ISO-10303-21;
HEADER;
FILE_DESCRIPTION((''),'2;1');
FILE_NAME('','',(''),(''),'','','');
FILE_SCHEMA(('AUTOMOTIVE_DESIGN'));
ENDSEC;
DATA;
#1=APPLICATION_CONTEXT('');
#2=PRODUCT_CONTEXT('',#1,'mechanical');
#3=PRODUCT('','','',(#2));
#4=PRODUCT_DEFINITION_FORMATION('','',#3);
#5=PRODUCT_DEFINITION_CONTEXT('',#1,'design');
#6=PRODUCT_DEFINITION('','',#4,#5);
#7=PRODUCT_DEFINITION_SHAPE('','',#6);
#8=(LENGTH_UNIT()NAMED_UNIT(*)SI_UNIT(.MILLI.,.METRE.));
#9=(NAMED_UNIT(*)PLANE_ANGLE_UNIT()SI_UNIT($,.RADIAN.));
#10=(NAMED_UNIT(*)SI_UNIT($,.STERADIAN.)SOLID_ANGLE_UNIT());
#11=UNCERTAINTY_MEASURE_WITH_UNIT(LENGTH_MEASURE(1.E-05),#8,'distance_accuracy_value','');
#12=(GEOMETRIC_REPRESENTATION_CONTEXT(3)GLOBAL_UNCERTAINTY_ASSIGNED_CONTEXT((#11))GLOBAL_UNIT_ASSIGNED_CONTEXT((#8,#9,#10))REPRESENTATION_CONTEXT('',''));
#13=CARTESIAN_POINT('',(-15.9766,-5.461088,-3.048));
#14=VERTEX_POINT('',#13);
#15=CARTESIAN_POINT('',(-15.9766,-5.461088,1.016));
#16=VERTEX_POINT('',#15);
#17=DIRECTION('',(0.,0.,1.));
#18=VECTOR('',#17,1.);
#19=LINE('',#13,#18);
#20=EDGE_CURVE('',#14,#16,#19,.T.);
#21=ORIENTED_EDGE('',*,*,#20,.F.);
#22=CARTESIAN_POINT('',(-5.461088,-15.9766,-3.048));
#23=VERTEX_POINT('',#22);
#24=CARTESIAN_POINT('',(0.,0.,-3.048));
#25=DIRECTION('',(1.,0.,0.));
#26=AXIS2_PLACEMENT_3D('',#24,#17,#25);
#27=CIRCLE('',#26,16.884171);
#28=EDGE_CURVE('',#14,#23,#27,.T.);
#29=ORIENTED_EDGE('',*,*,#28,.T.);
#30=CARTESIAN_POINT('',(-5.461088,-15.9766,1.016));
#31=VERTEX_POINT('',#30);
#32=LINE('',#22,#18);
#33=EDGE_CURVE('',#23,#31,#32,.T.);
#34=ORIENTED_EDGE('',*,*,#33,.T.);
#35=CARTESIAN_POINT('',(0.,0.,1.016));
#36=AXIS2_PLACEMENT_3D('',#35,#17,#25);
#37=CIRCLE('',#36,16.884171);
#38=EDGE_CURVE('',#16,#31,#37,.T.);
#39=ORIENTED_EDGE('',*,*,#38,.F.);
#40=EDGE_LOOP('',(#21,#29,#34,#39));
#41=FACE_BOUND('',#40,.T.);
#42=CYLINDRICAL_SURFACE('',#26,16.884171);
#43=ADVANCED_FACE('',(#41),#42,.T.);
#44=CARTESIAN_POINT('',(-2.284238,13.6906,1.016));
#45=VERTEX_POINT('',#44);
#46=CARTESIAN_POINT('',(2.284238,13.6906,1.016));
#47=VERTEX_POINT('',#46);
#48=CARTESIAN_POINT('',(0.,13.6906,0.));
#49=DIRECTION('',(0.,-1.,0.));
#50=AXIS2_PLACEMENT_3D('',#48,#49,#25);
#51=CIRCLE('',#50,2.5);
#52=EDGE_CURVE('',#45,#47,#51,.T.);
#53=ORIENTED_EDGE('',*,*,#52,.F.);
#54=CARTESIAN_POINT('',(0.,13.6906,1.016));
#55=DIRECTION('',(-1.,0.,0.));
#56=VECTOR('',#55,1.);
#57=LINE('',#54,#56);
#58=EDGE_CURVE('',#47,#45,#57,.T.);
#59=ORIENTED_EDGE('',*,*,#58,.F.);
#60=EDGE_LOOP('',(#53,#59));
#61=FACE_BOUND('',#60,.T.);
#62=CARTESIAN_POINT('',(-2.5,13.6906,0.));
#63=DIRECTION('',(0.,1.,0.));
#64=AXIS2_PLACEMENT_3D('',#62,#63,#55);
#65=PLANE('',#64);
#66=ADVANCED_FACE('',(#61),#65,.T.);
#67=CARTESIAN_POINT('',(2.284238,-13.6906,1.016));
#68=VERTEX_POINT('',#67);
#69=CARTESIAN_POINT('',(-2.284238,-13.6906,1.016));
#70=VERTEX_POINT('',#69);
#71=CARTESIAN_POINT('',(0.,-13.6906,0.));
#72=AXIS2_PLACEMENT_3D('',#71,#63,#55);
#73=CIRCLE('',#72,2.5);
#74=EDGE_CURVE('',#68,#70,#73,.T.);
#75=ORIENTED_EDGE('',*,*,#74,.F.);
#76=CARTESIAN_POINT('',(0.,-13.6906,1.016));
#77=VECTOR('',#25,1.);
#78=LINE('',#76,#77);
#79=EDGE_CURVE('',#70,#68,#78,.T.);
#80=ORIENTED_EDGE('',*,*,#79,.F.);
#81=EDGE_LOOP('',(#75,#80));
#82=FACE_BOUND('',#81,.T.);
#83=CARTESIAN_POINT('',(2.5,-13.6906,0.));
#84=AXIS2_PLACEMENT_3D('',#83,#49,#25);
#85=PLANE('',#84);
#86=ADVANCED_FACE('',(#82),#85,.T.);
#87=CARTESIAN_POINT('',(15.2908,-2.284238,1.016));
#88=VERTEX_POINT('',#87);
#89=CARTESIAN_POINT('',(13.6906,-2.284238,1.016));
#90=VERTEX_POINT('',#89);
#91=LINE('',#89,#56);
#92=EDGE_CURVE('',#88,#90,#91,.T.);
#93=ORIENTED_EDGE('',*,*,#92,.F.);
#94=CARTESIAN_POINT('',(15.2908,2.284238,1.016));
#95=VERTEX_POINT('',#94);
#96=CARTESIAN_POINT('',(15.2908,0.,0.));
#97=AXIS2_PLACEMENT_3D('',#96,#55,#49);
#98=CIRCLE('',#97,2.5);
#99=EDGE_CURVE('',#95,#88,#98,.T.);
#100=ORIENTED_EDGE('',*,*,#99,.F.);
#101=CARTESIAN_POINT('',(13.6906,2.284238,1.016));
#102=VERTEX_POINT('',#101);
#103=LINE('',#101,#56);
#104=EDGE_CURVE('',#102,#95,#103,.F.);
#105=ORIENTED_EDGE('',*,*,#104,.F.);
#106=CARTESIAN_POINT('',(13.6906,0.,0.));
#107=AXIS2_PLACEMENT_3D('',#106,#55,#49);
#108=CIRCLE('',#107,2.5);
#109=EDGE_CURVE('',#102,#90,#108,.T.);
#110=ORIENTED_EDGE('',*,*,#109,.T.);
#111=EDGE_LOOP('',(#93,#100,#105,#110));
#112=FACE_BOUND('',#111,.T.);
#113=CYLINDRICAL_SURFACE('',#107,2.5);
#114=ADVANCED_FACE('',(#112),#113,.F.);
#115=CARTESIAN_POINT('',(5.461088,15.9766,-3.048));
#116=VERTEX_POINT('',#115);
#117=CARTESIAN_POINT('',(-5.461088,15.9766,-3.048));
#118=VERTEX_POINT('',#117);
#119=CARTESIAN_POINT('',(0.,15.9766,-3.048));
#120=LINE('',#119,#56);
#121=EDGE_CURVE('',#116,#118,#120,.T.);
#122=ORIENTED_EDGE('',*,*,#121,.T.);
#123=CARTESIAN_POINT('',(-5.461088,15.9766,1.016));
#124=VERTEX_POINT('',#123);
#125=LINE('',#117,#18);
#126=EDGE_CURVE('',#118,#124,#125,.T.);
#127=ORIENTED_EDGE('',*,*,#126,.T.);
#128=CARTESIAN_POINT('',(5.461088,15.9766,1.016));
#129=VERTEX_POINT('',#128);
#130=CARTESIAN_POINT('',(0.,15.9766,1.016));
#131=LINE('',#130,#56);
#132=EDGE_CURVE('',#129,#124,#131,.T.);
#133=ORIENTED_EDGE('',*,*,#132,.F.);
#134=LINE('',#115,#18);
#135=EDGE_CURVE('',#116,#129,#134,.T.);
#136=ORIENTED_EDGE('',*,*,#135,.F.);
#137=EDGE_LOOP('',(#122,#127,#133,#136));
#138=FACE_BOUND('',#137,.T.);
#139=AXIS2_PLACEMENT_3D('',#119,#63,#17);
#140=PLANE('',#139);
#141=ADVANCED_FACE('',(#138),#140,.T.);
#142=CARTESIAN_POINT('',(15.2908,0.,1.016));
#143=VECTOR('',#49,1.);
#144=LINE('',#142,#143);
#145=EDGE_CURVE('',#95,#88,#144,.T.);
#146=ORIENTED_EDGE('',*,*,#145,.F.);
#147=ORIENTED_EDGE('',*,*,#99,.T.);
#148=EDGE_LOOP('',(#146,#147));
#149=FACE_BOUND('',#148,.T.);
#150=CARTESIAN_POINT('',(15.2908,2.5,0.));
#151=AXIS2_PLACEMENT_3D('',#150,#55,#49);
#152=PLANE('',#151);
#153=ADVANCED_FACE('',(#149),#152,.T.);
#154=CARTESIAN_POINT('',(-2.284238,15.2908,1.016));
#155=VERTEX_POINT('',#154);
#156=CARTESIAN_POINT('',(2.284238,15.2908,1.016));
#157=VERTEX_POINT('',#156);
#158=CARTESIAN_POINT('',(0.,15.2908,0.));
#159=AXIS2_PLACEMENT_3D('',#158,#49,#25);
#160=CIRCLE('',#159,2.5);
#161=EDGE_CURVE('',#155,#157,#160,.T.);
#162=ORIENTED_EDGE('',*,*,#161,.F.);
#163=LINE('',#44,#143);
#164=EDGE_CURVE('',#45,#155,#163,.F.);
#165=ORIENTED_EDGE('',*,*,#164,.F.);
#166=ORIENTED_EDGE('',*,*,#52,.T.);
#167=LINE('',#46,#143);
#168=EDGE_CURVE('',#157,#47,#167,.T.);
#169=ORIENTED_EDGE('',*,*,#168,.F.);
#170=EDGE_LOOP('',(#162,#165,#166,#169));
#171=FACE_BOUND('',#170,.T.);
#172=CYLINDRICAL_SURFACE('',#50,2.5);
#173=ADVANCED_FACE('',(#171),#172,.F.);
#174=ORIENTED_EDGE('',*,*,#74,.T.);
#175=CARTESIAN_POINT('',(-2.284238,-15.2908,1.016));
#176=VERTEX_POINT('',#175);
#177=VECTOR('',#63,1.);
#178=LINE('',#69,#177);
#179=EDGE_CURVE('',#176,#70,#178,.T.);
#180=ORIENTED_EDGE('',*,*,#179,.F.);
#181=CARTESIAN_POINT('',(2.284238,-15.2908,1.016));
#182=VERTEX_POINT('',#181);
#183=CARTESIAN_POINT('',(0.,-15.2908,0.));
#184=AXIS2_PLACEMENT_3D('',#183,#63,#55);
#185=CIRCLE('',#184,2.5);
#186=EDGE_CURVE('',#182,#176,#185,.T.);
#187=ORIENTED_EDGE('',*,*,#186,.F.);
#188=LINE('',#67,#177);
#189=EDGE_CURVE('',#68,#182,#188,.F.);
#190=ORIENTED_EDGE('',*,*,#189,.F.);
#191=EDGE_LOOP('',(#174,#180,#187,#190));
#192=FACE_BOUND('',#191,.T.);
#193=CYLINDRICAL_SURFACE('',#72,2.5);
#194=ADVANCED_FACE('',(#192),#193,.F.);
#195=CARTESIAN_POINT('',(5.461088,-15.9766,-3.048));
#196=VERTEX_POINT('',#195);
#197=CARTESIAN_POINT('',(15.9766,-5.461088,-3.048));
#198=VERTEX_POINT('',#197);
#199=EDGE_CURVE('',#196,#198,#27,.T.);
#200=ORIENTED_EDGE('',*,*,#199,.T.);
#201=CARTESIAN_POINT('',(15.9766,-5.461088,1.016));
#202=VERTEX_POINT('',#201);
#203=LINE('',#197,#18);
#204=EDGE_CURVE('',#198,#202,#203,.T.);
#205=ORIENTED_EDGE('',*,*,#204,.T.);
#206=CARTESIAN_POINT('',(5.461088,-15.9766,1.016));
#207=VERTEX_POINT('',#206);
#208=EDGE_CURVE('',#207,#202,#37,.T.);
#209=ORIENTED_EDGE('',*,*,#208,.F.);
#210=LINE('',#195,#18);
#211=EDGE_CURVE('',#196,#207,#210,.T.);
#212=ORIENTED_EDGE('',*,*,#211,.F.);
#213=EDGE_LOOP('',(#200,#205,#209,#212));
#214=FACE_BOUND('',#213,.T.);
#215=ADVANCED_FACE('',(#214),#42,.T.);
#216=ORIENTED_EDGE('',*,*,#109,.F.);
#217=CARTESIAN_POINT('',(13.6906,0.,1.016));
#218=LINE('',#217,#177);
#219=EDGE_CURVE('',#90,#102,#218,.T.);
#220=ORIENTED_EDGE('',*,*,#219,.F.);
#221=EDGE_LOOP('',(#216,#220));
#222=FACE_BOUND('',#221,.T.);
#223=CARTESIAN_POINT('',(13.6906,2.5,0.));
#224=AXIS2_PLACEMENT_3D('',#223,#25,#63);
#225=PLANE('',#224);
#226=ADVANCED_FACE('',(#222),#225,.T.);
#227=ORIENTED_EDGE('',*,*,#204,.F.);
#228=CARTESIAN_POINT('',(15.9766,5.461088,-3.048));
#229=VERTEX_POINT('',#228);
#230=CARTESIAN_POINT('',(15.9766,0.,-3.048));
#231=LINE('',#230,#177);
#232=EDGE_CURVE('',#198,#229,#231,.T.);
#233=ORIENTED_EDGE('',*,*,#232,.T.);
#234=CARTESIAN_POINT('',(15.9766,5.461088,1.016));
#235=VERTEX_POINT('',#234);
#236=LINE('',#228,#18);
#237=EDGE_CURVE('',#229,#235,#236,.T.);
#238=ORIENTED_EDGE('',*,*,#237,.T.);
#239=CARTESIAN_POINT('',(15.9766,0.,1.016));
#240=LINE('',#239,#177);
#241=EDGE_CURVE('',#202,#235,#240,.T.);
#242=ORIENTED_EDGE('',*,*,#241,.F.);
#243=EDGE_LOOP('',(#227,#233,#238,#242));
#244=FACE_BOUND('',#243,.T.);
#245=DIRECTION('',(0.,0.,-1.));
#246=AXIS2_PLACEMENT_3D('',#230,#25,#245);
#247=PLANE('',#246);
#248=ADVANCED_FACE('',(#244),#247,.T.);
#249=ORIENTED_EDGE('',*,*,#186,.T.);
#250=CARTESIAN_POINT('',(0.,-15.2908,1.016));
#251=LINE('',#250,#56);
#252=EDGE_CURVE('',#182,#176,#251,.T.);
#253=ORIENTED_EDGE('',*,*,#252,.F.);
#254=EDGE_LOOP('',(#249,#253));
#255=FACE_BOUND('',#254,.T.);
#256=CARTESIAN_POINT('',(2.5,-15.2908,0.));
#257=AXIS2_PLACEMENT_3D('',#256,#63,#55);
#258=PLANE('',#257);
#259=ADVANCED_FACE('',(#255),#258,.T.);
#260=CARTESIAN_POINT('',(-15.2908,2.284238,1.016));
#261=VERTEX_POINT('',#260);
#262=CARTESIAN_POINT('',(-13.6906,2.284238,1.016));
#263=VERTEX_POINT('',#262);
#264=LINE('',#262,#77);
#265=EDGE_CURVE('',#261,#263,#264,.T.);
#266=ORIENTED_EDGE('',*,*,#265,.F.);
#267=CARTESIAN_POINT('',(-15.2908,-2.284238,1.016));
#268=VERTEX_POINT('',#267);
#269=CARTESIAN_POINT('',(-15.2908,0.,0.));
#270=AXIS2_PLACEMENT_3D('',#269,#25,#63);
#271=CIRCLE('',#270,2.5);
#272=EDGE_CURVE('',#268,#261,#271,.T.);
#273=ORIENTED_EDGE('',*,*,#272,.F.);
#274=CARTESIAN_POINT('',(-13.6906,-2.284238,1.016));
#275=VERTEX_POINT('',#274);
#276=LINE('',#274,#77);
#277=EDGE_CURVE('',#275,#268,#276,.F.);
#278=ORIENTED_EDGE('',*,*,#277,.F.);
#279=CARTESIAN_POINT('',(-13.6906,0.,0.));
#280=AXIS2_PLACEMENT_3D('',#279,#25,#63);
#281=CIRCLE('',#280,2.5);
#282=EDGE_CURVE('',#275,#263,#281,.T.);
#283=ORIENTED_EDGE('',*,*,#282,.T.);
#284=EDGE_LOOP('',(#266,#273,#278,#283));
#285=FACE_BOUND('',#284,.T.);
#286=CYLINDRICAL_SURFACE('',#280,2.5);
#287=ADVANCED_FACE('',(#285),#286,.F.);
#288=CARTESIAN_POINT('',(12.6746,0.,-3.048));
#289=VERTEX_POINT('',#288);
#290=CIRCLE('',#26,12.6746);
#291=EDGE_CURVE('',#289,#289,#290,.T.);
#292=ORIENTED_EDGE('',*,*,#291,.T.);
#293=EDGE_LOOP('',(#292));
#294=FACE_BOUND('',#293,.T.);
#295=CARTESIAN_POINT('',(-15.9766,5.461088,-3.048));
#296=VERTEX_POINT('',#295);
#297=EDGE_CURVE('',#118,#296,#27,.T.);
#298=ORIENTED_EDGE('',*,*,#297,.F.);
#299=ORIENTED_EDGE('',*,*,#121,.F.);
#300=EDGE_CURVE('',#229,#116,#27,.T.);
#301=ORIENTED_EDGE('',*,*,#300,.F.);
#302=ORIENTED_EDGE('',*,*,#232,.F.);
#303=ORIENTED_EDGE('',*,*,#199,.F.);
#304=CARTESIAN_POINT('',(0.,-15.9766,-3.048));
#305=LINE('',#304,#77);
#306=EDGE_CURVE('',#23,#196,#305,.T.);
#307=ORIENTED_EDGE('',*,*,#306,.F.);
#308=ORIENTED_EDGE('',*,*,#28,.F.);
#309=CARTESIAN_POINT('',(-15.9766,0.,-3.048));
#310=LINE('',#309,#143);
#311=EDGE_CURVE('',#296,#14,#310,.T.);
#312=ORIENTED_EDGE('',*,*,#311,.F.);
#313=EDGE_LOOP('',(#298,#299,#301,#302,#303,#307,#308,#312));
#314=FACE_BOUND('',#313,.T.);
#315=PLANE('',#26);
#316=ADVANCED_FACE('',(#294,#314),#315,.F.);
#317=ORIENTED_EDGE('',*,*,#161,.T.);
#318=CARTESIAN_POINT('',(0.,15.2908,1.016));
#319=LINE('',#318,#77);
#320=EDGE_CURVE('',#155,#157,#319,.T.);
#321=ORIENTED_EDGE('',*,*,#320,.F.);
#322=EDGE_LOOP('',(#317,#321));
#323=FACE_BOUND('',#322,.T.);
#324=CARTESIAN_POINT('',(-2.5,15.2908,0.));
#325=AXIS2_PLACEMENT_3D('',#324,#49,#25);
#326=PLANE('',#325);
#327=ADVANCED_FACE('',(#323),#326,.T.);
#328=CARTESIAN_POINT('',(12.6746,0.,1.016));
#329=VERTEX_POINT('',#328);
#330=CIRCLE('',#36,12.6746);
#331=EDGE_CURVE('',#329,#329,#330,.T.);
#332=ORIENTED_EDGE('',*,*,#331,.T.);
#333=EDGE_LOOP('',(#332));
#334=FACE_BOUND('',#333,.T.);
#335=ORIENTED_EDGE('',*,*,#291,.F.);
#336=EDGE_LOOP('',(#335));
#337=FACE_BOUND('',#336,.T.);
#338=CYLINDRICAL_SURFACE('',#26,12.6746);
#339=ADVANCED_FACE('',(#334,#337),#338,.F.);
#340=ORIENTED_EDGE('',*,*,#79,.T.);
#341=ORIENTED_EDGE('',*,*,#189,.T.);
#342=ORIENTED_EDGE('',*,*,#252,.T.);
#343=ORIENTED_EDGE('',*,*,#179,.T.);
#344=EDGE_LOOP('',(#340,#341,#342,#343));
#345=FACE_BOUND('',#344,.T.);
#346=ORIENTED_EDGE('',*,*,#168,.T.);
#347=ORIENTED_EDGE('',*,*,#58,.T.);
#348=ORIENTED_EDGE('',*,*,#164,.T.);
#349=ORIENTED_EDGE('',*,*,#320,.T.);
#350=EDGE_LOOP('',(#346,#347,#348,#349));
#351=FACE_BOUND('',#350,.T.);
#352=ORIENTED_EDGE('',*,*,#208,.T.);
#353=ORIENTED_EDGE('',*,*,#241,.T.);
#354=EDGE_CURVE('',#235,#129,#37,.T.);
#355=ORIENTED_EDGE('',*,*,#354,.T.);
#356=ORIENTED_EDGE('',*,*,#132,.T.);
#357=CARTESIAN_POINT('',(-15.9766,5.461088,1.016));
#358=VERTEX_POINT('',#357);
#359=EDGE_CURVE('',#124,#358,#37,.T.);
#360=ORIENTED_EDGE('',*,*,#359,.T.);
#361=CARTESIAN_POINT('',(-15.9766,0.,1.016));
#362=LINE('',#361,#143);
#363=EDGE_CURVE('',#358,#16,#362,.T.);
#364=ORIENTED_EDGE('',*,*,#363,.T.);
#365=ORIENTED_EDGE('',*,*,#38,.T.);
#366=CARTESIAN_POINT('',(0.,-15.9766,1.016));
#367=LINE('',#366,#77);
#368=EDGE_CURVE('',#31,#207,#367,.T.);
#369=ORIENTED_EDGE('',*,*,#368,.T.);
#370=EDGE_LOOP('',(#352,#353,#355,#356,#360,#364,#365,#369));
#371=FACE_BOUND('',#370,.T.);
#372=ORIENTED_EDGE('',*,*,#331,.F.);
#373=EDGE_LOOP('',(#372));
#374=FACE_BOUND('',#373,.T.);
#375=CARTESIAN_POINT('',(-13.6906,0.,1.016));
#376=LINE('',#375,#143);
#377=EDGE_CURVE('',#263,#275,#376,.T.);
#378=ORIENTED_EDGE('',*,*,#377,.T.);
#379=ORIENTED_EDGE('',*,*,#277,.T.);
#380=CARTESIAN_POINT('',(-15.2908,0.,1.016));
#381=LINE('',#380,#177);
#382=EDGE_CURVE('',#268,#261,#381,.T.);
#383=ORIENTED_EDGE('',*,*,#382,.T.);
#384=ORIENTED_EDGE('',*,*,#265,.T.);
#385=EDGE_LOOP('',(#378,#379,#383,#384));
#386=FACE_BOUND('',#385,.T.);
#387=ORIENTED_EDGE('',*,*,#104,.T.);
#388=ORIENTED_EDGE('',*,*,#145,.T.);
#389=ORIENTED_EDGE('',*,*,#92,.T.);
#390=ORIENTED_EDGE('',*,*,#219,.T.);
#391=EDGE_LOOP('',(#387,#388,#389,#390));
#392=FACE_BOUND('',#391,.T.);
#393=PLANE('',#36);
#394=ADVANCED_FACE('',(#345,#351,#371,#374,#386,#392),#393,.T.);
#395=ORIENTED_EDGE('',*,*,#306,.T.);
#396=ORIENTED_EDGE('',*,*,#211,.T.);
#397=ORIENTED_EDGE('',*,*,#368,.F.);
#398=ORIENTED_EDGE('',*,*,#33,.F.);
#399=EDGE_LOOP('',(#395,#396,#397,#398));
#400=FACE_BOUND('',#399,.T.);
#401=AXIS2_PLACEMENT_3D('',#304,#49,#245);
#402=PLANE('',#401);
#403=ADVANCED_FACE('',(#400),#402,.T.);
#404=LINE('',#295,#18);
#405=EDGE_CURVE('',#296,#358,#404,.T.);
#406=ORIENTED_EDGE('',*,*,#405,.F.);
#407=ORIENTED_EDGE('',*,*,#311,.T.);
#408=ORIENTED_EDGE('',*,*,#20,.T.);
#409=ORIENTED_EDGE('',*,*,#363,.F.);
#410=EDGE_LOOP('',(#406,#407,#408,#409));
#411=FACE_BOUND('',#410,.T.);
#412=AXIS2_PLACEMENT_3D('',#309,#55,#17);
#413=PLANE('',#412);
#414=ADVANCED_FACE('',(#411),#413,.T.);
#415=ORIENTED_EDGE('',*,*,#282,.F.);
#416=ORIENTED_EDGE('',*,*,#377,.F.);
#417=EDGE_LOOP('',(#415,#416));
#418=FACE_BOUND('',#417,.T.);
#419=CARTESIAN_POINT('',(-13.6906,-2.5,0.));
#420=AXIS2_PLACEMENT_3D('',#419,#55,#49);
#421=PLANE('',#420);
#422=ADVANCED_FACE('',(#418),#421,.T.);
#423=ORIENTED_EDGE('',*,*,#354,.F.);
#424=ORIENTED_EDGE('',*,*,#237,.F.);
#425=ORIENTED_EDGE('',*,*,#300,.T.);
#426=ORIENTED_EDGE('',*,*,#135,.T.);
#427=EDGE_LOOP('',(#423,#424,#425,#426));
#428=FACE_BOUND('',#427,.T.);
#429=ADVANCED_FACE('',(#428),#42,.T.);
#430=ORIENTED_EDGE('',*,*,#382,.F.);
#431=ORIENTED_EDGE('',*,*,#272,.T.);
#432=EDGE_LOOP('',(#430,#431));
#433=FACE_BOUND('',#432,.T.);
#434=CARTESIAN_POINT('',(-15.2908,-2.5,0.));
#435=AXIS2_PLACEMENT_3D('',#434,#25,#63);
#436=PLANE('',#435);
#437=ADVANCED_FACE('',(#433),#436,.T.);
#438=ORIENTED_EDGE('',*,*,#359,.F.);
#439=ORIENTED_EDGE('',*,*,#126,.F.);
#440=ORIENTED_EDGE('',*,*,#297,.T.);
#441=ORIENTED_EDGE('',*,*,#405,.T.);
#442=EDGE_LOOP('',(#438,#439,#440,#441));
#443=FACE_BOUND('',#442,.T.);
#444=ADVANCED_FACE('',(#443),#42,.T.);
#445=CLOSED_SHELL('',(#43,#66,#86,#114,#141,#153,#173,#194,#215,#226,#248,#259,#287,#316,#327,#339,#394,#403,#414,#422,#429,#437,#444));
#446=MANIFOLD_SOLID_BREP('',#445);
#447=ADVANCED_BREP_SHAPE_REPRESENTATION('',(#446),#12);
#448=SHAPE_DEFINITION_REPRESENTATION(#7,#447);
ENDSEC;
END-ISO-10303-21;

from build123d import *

# Parameters (mm, degrees)
SKETCH1_R                = 12.6746
BOSS_EXTRUDE1_DEPTH      = 1.016
BOSS_EXTRUDE1_DEPTH_BACK = 3.048
SKETCH3_W                = 1.6002
SKETCH3_H                = 2.499999953
CIRPATTERN1_COUNT        = 4


with BuildPart() as part:
    # Sketch1 → Boss-Extrude1 (new body, two sides)
    with BuildSketch(Plane.XY) as boss_extrude1_sk:
        with BuildLine():
            ThreePointArc((-5.461088217, 15.9766), (-11.938911845, 11.938911845), (-15.9766, 5.461088217))
            Line((-15.9766, 5.461088217), (-15.9766, -5.461088217))
            ThreePointArc((-15.9766, -5.461088217), (-11.938911845, -11.938911845), (-5.461088217, -15.9766))
            Line((-5.461088217, -15.9766), (5.461088217, -15.9766))
            ThreePointArc((5.461088217, -15.9766), (11.938911845, -11.938911845), (15.9766, -5.461088217))
            Line((15.9766, -5.461088217), (15.9766, 5.461088217))
            ThreePointArc((15.9766, 5.461088217), (11.938911845, 11.938911845), (5.461088217, 15.9766))
            Line((5.461088217, 15.9766), (-5.461088217, 15.9766))
        make_face()
        Circle(SKETCH1_R, mode=Mode.SUBTRACT)
    extrude(amount=BOSS_EXTRUDE1_DEPTH)
    extrude(boss_extrude1_sk.sketch, amount=-BOSS_EXTRUDE1_DEPTH_BACK)

    # Sketch3 → Cut-Revolve2 (revolve, cut)
    with BuildSketch(Plane.XY):
        with Locations((-14.4907, -1.249999977)):
            Rectangle(SKETCH3_W, SKETCH3_H)
    cut_revolve2 = revolve(axis=Axis((-13.6906, 0, 0), (-1, 0, 0)), mode=Mode.SUBTRACT)

    # CirPattern1: Cut-Revolve2 ×4 about axis
    cirpattern1_axis = Axis((0, 0, 0), (0, 0, 1))
    for i in range(1, CIRPATTERN1_COUNT):
        add(cut_revolve2.rotate(cirpattern1_axis, i * 360 / CIRPATTERN1_COUNT), mode=Mode.SUBTRACT)


solid = part.part
